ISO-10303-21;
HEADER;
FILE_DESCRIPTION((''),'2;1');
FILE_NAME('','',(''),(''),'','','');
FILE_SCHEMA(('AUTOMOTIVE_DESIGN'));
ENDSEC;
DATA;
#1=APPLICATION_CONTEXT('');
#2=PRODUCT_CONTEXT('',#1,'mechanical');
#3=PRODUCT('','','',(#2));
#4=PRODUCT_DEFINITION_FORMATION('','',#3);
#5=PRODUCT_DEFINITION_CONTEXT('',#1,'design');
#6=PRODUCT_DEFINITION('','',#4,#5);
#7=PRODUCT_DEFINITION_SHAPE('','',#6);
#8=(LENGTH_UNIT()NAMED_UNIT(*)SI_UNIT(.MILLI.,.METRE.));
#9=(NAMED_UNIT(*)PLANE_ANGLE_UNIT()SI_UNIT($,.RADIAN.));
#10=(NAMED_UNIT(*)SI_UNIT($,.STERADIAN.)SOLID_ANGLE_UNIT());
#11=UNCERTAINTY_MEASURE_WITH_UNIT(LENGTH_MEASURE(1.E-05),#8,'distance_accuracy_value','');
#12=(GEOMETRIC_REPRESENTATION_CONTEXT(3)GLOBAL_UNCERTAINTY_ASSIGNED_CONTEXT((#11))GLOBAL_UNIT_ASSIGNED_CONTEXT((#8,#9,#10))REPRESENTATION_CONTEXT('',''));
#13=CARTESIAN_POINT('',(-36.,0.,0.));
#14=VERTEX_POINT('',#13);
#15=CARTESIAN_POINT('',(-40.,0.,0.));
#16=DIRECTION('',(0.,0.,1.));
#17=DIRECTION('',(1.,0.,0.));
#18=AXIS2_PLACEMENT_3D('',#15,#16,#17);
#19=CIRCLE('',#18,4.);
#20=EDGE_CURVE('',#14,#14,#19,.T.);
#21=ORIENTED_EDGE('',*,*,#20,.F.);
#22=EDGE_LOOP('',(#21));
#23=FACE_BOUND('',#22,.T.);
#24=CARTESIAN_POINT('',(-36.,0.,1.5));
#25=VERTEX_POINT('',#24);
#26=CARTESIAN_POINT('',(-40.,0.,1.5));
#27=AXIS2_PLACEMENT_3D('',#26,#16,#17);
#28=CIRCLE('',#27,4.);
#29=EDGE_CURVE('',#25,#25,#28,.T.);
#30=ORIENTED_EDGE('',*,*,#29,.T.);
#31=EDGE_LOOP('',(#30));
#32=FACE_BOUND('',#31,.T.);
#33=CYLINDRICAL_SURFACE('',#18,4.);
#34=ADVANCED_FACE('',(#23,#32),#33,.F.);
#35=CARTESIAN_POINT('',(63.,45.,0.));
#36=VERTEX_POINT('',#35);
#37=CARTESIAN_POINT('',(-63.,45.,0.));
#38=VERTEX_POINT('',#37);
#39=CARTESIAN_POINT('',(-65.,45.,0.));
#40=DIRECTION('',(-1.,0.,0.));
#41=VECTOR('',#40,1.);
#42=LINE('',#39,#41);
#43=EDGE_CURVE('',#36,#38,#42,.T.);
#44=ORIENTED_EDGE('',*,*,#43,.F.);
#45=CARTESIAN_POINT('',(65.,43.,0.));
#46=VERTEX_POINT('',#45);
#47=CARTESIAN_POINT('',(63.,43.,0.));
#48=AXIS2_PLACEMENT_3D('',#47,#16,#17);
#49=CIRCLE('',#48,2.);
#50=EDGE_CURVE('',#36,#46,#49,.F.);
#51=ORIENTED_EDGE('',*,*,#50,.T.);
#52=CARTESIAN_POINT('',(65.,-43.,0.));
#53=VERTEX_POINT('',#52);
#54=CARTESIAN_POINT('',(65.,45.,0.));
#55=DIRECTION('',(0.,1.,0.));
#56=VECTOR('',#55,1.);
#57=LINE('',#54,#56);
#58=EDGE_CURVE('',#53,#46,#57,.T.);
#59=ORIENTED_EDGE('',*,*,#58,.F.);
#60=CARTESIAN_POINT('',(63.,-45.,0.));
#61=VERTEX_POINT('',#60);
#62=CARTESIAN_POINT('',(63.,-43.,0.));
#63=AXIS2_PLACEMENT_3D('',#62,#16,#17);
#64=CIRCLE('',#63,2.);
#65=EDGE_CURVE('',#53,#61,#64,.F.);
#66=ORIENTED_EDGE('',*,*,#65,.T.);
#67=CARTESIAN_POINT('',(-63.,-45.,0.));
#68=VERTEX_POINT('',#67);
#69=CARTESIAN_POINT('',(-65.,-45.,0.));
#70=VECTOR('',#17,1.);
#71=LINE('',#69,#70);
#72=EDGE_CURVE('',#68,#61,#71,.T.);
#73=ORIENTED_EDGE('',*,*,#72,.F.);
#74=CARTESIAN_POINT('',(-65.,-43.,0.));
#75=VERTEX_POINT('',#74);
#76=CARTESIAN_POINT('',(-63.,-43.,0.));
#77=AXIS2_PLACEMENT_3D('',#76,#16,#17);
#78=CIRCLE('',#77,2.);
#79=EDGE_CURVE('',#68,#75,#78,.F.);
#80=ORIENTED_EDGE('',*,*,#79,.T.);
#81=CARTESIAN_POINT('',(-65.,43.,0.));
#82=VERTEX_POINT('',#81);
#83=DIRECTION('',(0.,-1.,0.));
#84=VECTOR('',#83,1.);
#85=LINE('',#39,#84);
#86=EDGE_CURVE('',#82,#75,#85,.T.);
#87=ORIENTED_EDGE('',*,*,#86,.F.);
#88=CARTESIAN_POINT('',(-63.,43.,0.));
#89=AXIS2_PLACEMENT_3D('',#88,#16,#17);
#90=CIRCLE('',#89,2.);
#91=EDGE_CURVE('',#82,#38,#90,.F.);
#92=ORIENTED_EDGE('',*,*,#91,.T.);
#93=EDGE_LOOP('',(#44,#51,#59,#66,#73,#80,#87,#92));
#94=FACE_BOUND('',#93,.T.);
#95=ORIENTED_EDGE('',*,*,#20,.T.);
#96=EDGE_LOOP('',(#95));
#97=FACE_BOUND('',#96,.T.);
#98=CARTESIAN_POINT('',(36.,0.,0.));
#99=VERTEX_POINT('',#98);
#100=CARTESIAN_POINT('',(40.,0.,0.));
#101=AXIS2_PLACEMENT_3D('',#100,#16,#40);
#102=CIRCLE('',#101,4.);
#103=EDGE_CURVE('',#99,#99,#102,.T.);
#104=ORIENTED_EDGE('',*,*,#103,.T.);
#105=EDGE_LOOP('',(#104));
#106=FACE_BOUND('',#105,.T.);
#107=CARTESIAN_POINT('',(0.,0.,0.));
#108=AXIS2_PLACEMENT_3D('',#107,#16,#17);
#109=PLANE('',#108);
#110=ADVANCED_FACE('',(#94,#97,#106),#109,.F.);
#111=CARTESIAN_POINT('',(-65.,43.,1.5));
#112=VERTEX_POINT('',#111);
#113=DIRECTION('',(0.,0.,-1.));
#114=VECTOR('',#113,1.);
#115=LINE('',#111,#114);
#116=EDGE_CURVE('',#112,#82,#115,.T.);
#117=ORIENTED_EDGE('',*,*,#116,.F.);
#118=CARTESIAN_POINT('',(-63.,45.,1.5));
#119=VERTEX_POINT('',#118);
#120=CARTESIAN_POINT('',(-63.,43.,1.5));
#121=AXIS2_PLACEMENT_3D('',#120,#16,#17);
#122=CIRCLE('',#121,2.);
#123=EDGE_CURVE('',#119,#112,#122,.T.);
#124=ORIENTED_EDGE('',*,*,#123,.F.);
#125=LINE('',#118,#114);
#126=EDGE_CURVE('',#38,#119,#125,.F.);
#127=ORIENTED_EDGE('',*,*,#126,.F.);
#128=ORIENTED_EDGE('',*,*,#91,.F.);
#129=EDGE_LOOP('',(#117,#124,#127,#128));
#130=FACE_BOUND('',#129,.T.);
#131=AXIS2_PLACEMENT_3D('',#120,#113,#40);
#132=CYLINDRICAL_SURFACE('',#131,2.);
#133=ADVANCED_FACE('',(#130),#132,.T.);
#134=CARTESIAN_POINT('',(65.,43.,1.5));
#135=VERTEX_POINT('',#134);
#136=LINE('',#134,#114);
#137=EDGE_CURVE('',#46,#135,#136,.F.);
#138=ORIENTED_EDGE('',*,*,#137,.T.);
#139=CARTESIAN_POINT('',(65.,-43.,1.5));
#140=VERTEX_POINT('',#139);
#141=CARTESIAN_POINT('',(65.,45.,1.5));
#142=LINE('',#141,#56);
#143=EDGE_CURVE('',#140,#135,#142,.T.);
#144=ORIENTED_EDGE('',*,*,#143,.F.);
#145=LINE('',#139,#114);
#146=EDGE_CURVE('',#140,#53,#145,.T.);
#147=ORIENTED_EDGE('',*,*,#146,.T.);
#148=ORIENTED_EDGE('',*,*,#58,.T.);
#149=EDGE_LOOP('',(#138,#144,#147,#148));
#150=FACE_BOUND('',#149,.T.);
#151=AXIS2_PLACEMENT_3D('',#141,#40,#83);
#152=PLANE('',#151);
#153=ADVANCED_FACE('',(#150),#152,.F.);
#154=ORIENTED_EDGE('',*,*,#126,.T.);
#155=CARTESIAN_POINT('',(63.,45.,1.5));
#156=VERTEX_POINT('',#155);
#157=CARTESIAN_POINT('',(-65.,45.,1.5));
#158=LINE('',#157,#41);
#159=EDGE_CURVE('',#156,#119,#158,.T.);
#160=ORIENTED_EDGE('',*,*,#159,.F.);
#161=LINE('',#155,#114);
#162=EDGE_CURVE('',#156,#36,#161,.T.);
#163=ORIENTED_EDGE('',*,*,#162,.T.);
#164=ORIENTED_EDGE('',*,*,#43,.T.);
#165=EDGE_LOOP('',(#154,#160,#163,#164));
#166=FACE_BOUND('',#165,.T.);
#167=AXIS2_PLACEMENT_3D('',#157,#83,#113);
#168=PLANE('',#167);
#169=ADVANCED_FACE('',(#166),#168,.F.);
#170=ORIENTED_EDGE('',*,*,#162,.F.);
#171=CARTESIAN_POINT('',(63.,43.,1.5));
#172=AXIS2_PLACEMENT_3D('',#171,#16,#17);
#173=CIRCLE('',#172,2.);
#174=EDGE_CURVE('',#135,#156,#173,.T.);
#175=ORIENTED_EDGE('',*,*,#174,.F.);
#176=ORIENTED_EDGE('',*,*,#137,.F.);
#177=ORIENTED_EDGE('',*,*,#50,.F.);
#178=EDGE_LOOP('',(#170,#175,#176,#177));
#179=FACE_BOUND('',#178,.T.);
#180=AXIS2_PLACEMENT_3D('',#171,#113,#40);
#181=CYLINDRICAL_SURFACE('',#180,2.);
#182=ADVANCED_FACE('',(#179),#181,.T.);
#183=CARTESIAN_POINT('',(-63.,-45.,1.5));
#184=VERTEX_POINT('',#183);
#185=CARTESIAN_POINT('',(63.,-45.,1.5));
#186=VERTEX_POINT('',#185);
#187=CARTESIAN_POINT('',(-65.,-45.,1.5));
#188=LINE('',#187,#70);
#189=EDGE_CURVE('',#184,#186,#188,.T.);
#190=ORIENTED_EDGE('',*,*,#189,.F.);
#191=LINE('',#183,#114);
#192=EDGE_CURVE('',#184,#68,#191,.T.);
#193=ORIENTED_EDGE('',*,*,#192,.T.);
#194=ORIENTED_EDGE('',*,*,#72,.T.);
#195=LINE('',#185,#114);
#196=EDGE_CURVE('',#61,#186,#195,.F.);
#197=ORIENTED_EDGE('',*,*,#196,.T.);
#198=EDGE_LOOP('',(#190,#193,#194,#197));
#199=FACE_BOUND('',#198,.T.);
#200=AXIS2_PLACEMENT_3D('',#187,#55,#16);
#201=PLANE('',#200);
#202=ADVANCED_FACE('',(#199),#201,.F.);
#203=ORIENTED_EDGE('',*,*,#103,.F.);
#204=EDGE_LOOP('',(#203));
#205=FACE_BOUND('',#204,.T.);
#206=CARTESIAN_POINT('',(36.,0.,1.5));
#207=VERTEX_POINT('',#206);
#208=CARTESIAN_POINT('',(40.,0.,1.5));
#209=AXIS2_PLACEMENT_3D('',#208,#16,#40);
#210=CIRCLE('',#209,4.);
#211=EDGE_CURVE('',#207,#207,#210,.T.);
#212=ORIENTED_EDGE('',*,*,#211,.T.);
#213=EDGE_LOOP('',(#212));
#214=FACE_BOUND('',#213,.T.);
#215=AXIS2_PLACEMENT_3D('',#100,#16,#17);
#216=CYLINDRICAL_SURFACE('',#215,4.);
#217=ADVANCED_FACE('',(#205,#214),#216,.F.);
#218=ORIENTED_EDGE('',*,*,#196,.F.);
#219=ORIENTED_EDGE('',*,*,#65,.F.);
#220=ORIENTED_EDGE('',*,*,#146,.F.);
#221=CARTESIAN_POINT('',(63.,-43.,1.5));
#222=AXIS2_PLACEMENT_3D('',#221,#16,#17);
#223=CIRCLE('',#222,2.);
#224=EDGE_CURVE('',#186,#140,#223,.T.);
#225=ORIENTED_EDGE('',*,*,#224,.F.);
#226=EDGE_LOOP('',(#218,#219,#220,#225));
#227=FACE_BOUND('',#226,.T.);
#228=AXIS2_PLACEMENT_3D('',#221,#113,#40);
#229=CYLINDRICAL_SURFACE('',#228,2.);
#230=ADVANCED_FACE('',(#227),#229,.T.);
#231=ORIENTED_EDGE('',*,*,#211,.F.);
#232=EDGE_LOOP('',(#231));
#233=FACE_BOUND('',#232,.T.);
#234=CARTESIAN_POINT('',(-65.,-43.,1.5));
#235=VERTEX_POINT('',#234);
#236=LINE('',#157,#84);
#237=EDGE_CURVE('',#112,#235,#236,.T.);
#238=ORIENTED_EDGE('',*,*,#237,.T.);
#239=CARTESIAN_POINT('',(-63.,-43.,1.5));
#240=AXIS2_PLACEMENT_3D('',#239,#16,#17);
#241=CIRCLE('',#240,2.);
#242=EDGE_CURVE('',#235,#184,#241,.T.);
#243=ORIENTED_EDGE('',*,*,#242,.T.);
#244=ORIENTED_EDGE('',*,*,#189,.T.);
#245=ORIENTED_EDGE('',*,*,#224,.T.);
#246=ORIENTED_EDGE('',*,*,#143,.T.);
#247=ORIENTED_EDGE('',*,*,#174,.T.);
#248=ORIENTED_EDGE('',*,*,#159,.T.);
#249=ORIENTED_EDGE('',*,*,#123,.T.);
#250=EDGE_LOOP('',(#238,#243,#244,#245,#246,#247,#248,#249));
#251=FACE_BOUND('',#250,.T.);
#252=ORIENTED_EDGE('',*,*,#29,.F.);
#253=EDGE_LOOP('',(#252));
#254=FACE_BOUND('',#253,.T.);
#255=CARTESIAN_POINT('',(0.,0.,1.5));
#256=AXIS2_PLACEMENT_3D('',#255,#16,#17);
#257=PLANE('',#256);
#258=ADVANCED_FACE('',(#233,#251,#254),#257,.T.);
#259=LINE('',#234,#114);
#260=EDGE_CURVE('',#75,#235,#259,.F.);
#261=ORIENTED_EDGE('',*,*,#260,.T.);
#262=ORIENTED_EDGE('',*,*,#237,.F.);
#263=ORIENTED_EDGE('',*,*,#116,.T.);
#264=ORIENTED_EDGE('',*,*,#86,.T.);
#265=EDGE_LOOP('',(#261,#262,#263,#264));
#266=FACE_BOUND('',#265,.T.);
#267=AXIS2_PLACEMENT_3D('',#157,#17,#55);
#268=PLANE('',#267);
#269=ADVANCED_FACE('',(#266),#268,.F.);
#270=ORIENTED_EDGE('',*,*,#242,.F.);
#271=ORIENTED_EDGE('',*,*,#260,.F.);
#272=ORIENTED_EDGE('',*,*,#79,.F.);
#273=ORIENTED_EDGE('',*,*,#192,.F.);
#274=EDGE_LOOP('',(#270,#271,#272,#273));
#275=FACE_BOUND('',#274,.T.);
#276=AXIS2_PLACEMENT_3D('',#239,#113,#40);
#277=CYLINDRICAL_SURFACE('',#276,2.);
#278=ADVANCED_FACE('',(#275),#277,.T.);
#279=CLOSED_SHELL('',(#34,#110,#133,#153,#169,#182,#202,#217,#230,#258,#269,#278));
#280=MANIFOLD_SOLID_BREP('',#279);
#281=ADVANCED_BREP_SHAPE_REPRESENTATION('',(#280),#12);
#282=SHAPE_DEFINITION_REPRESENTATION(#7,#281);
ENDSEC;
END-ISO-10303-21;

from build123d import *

# Parameters (mm, degrees)
SKETCH_1_W          = 130
SKETCH_1_H          = 90
EXTRUDE_1_DEPTH     = 1.5
SKETCH_2_R          = 4
CUT_EXTRUDE_1_DEPTH = 1.5
FILLET_1_R          = 2


with BuildPart() as part:
    # ｽｹｯﾁ1 → ﾎﾞｽ - 押し出し1 (new body)
    with BuildSketch(Plane.XY):
        Rectangle(SKETCH_1_W, SKETCH_1_H)
    extrude(amount=EXTRUDE_1_DEPTH)

    # ｽｹｯﾁ2 → ｶｯﾄ - 押し出し1 (cut)
    with BuildSketch(Plane.XY.offset(1.5)):
        with Locations((-40, 0)):
            Circle(SKETCH_2_R)
        with Locations(Location((40, 0, 0), (0, 0, 180))):
            Circle(SKETCH_2_R)
    extrude(amount=-CUT_EXTRUDE_1_DEPTH, mode=Mode.SUBTRACT)

    # ﾌｨﾚｯﾄ1
    fillet_1_edges = [part.edges().sort_by_distance(p)[0] for p in [
        (65, -45, 0.75),
        (-65, -45, 0.75),
        (-65, 45, 0.75),
        (65, 45, 0.75),
    ]]
    fillet(fillet_1_edges, radius=FILLET_1_R)


solid = part.part
